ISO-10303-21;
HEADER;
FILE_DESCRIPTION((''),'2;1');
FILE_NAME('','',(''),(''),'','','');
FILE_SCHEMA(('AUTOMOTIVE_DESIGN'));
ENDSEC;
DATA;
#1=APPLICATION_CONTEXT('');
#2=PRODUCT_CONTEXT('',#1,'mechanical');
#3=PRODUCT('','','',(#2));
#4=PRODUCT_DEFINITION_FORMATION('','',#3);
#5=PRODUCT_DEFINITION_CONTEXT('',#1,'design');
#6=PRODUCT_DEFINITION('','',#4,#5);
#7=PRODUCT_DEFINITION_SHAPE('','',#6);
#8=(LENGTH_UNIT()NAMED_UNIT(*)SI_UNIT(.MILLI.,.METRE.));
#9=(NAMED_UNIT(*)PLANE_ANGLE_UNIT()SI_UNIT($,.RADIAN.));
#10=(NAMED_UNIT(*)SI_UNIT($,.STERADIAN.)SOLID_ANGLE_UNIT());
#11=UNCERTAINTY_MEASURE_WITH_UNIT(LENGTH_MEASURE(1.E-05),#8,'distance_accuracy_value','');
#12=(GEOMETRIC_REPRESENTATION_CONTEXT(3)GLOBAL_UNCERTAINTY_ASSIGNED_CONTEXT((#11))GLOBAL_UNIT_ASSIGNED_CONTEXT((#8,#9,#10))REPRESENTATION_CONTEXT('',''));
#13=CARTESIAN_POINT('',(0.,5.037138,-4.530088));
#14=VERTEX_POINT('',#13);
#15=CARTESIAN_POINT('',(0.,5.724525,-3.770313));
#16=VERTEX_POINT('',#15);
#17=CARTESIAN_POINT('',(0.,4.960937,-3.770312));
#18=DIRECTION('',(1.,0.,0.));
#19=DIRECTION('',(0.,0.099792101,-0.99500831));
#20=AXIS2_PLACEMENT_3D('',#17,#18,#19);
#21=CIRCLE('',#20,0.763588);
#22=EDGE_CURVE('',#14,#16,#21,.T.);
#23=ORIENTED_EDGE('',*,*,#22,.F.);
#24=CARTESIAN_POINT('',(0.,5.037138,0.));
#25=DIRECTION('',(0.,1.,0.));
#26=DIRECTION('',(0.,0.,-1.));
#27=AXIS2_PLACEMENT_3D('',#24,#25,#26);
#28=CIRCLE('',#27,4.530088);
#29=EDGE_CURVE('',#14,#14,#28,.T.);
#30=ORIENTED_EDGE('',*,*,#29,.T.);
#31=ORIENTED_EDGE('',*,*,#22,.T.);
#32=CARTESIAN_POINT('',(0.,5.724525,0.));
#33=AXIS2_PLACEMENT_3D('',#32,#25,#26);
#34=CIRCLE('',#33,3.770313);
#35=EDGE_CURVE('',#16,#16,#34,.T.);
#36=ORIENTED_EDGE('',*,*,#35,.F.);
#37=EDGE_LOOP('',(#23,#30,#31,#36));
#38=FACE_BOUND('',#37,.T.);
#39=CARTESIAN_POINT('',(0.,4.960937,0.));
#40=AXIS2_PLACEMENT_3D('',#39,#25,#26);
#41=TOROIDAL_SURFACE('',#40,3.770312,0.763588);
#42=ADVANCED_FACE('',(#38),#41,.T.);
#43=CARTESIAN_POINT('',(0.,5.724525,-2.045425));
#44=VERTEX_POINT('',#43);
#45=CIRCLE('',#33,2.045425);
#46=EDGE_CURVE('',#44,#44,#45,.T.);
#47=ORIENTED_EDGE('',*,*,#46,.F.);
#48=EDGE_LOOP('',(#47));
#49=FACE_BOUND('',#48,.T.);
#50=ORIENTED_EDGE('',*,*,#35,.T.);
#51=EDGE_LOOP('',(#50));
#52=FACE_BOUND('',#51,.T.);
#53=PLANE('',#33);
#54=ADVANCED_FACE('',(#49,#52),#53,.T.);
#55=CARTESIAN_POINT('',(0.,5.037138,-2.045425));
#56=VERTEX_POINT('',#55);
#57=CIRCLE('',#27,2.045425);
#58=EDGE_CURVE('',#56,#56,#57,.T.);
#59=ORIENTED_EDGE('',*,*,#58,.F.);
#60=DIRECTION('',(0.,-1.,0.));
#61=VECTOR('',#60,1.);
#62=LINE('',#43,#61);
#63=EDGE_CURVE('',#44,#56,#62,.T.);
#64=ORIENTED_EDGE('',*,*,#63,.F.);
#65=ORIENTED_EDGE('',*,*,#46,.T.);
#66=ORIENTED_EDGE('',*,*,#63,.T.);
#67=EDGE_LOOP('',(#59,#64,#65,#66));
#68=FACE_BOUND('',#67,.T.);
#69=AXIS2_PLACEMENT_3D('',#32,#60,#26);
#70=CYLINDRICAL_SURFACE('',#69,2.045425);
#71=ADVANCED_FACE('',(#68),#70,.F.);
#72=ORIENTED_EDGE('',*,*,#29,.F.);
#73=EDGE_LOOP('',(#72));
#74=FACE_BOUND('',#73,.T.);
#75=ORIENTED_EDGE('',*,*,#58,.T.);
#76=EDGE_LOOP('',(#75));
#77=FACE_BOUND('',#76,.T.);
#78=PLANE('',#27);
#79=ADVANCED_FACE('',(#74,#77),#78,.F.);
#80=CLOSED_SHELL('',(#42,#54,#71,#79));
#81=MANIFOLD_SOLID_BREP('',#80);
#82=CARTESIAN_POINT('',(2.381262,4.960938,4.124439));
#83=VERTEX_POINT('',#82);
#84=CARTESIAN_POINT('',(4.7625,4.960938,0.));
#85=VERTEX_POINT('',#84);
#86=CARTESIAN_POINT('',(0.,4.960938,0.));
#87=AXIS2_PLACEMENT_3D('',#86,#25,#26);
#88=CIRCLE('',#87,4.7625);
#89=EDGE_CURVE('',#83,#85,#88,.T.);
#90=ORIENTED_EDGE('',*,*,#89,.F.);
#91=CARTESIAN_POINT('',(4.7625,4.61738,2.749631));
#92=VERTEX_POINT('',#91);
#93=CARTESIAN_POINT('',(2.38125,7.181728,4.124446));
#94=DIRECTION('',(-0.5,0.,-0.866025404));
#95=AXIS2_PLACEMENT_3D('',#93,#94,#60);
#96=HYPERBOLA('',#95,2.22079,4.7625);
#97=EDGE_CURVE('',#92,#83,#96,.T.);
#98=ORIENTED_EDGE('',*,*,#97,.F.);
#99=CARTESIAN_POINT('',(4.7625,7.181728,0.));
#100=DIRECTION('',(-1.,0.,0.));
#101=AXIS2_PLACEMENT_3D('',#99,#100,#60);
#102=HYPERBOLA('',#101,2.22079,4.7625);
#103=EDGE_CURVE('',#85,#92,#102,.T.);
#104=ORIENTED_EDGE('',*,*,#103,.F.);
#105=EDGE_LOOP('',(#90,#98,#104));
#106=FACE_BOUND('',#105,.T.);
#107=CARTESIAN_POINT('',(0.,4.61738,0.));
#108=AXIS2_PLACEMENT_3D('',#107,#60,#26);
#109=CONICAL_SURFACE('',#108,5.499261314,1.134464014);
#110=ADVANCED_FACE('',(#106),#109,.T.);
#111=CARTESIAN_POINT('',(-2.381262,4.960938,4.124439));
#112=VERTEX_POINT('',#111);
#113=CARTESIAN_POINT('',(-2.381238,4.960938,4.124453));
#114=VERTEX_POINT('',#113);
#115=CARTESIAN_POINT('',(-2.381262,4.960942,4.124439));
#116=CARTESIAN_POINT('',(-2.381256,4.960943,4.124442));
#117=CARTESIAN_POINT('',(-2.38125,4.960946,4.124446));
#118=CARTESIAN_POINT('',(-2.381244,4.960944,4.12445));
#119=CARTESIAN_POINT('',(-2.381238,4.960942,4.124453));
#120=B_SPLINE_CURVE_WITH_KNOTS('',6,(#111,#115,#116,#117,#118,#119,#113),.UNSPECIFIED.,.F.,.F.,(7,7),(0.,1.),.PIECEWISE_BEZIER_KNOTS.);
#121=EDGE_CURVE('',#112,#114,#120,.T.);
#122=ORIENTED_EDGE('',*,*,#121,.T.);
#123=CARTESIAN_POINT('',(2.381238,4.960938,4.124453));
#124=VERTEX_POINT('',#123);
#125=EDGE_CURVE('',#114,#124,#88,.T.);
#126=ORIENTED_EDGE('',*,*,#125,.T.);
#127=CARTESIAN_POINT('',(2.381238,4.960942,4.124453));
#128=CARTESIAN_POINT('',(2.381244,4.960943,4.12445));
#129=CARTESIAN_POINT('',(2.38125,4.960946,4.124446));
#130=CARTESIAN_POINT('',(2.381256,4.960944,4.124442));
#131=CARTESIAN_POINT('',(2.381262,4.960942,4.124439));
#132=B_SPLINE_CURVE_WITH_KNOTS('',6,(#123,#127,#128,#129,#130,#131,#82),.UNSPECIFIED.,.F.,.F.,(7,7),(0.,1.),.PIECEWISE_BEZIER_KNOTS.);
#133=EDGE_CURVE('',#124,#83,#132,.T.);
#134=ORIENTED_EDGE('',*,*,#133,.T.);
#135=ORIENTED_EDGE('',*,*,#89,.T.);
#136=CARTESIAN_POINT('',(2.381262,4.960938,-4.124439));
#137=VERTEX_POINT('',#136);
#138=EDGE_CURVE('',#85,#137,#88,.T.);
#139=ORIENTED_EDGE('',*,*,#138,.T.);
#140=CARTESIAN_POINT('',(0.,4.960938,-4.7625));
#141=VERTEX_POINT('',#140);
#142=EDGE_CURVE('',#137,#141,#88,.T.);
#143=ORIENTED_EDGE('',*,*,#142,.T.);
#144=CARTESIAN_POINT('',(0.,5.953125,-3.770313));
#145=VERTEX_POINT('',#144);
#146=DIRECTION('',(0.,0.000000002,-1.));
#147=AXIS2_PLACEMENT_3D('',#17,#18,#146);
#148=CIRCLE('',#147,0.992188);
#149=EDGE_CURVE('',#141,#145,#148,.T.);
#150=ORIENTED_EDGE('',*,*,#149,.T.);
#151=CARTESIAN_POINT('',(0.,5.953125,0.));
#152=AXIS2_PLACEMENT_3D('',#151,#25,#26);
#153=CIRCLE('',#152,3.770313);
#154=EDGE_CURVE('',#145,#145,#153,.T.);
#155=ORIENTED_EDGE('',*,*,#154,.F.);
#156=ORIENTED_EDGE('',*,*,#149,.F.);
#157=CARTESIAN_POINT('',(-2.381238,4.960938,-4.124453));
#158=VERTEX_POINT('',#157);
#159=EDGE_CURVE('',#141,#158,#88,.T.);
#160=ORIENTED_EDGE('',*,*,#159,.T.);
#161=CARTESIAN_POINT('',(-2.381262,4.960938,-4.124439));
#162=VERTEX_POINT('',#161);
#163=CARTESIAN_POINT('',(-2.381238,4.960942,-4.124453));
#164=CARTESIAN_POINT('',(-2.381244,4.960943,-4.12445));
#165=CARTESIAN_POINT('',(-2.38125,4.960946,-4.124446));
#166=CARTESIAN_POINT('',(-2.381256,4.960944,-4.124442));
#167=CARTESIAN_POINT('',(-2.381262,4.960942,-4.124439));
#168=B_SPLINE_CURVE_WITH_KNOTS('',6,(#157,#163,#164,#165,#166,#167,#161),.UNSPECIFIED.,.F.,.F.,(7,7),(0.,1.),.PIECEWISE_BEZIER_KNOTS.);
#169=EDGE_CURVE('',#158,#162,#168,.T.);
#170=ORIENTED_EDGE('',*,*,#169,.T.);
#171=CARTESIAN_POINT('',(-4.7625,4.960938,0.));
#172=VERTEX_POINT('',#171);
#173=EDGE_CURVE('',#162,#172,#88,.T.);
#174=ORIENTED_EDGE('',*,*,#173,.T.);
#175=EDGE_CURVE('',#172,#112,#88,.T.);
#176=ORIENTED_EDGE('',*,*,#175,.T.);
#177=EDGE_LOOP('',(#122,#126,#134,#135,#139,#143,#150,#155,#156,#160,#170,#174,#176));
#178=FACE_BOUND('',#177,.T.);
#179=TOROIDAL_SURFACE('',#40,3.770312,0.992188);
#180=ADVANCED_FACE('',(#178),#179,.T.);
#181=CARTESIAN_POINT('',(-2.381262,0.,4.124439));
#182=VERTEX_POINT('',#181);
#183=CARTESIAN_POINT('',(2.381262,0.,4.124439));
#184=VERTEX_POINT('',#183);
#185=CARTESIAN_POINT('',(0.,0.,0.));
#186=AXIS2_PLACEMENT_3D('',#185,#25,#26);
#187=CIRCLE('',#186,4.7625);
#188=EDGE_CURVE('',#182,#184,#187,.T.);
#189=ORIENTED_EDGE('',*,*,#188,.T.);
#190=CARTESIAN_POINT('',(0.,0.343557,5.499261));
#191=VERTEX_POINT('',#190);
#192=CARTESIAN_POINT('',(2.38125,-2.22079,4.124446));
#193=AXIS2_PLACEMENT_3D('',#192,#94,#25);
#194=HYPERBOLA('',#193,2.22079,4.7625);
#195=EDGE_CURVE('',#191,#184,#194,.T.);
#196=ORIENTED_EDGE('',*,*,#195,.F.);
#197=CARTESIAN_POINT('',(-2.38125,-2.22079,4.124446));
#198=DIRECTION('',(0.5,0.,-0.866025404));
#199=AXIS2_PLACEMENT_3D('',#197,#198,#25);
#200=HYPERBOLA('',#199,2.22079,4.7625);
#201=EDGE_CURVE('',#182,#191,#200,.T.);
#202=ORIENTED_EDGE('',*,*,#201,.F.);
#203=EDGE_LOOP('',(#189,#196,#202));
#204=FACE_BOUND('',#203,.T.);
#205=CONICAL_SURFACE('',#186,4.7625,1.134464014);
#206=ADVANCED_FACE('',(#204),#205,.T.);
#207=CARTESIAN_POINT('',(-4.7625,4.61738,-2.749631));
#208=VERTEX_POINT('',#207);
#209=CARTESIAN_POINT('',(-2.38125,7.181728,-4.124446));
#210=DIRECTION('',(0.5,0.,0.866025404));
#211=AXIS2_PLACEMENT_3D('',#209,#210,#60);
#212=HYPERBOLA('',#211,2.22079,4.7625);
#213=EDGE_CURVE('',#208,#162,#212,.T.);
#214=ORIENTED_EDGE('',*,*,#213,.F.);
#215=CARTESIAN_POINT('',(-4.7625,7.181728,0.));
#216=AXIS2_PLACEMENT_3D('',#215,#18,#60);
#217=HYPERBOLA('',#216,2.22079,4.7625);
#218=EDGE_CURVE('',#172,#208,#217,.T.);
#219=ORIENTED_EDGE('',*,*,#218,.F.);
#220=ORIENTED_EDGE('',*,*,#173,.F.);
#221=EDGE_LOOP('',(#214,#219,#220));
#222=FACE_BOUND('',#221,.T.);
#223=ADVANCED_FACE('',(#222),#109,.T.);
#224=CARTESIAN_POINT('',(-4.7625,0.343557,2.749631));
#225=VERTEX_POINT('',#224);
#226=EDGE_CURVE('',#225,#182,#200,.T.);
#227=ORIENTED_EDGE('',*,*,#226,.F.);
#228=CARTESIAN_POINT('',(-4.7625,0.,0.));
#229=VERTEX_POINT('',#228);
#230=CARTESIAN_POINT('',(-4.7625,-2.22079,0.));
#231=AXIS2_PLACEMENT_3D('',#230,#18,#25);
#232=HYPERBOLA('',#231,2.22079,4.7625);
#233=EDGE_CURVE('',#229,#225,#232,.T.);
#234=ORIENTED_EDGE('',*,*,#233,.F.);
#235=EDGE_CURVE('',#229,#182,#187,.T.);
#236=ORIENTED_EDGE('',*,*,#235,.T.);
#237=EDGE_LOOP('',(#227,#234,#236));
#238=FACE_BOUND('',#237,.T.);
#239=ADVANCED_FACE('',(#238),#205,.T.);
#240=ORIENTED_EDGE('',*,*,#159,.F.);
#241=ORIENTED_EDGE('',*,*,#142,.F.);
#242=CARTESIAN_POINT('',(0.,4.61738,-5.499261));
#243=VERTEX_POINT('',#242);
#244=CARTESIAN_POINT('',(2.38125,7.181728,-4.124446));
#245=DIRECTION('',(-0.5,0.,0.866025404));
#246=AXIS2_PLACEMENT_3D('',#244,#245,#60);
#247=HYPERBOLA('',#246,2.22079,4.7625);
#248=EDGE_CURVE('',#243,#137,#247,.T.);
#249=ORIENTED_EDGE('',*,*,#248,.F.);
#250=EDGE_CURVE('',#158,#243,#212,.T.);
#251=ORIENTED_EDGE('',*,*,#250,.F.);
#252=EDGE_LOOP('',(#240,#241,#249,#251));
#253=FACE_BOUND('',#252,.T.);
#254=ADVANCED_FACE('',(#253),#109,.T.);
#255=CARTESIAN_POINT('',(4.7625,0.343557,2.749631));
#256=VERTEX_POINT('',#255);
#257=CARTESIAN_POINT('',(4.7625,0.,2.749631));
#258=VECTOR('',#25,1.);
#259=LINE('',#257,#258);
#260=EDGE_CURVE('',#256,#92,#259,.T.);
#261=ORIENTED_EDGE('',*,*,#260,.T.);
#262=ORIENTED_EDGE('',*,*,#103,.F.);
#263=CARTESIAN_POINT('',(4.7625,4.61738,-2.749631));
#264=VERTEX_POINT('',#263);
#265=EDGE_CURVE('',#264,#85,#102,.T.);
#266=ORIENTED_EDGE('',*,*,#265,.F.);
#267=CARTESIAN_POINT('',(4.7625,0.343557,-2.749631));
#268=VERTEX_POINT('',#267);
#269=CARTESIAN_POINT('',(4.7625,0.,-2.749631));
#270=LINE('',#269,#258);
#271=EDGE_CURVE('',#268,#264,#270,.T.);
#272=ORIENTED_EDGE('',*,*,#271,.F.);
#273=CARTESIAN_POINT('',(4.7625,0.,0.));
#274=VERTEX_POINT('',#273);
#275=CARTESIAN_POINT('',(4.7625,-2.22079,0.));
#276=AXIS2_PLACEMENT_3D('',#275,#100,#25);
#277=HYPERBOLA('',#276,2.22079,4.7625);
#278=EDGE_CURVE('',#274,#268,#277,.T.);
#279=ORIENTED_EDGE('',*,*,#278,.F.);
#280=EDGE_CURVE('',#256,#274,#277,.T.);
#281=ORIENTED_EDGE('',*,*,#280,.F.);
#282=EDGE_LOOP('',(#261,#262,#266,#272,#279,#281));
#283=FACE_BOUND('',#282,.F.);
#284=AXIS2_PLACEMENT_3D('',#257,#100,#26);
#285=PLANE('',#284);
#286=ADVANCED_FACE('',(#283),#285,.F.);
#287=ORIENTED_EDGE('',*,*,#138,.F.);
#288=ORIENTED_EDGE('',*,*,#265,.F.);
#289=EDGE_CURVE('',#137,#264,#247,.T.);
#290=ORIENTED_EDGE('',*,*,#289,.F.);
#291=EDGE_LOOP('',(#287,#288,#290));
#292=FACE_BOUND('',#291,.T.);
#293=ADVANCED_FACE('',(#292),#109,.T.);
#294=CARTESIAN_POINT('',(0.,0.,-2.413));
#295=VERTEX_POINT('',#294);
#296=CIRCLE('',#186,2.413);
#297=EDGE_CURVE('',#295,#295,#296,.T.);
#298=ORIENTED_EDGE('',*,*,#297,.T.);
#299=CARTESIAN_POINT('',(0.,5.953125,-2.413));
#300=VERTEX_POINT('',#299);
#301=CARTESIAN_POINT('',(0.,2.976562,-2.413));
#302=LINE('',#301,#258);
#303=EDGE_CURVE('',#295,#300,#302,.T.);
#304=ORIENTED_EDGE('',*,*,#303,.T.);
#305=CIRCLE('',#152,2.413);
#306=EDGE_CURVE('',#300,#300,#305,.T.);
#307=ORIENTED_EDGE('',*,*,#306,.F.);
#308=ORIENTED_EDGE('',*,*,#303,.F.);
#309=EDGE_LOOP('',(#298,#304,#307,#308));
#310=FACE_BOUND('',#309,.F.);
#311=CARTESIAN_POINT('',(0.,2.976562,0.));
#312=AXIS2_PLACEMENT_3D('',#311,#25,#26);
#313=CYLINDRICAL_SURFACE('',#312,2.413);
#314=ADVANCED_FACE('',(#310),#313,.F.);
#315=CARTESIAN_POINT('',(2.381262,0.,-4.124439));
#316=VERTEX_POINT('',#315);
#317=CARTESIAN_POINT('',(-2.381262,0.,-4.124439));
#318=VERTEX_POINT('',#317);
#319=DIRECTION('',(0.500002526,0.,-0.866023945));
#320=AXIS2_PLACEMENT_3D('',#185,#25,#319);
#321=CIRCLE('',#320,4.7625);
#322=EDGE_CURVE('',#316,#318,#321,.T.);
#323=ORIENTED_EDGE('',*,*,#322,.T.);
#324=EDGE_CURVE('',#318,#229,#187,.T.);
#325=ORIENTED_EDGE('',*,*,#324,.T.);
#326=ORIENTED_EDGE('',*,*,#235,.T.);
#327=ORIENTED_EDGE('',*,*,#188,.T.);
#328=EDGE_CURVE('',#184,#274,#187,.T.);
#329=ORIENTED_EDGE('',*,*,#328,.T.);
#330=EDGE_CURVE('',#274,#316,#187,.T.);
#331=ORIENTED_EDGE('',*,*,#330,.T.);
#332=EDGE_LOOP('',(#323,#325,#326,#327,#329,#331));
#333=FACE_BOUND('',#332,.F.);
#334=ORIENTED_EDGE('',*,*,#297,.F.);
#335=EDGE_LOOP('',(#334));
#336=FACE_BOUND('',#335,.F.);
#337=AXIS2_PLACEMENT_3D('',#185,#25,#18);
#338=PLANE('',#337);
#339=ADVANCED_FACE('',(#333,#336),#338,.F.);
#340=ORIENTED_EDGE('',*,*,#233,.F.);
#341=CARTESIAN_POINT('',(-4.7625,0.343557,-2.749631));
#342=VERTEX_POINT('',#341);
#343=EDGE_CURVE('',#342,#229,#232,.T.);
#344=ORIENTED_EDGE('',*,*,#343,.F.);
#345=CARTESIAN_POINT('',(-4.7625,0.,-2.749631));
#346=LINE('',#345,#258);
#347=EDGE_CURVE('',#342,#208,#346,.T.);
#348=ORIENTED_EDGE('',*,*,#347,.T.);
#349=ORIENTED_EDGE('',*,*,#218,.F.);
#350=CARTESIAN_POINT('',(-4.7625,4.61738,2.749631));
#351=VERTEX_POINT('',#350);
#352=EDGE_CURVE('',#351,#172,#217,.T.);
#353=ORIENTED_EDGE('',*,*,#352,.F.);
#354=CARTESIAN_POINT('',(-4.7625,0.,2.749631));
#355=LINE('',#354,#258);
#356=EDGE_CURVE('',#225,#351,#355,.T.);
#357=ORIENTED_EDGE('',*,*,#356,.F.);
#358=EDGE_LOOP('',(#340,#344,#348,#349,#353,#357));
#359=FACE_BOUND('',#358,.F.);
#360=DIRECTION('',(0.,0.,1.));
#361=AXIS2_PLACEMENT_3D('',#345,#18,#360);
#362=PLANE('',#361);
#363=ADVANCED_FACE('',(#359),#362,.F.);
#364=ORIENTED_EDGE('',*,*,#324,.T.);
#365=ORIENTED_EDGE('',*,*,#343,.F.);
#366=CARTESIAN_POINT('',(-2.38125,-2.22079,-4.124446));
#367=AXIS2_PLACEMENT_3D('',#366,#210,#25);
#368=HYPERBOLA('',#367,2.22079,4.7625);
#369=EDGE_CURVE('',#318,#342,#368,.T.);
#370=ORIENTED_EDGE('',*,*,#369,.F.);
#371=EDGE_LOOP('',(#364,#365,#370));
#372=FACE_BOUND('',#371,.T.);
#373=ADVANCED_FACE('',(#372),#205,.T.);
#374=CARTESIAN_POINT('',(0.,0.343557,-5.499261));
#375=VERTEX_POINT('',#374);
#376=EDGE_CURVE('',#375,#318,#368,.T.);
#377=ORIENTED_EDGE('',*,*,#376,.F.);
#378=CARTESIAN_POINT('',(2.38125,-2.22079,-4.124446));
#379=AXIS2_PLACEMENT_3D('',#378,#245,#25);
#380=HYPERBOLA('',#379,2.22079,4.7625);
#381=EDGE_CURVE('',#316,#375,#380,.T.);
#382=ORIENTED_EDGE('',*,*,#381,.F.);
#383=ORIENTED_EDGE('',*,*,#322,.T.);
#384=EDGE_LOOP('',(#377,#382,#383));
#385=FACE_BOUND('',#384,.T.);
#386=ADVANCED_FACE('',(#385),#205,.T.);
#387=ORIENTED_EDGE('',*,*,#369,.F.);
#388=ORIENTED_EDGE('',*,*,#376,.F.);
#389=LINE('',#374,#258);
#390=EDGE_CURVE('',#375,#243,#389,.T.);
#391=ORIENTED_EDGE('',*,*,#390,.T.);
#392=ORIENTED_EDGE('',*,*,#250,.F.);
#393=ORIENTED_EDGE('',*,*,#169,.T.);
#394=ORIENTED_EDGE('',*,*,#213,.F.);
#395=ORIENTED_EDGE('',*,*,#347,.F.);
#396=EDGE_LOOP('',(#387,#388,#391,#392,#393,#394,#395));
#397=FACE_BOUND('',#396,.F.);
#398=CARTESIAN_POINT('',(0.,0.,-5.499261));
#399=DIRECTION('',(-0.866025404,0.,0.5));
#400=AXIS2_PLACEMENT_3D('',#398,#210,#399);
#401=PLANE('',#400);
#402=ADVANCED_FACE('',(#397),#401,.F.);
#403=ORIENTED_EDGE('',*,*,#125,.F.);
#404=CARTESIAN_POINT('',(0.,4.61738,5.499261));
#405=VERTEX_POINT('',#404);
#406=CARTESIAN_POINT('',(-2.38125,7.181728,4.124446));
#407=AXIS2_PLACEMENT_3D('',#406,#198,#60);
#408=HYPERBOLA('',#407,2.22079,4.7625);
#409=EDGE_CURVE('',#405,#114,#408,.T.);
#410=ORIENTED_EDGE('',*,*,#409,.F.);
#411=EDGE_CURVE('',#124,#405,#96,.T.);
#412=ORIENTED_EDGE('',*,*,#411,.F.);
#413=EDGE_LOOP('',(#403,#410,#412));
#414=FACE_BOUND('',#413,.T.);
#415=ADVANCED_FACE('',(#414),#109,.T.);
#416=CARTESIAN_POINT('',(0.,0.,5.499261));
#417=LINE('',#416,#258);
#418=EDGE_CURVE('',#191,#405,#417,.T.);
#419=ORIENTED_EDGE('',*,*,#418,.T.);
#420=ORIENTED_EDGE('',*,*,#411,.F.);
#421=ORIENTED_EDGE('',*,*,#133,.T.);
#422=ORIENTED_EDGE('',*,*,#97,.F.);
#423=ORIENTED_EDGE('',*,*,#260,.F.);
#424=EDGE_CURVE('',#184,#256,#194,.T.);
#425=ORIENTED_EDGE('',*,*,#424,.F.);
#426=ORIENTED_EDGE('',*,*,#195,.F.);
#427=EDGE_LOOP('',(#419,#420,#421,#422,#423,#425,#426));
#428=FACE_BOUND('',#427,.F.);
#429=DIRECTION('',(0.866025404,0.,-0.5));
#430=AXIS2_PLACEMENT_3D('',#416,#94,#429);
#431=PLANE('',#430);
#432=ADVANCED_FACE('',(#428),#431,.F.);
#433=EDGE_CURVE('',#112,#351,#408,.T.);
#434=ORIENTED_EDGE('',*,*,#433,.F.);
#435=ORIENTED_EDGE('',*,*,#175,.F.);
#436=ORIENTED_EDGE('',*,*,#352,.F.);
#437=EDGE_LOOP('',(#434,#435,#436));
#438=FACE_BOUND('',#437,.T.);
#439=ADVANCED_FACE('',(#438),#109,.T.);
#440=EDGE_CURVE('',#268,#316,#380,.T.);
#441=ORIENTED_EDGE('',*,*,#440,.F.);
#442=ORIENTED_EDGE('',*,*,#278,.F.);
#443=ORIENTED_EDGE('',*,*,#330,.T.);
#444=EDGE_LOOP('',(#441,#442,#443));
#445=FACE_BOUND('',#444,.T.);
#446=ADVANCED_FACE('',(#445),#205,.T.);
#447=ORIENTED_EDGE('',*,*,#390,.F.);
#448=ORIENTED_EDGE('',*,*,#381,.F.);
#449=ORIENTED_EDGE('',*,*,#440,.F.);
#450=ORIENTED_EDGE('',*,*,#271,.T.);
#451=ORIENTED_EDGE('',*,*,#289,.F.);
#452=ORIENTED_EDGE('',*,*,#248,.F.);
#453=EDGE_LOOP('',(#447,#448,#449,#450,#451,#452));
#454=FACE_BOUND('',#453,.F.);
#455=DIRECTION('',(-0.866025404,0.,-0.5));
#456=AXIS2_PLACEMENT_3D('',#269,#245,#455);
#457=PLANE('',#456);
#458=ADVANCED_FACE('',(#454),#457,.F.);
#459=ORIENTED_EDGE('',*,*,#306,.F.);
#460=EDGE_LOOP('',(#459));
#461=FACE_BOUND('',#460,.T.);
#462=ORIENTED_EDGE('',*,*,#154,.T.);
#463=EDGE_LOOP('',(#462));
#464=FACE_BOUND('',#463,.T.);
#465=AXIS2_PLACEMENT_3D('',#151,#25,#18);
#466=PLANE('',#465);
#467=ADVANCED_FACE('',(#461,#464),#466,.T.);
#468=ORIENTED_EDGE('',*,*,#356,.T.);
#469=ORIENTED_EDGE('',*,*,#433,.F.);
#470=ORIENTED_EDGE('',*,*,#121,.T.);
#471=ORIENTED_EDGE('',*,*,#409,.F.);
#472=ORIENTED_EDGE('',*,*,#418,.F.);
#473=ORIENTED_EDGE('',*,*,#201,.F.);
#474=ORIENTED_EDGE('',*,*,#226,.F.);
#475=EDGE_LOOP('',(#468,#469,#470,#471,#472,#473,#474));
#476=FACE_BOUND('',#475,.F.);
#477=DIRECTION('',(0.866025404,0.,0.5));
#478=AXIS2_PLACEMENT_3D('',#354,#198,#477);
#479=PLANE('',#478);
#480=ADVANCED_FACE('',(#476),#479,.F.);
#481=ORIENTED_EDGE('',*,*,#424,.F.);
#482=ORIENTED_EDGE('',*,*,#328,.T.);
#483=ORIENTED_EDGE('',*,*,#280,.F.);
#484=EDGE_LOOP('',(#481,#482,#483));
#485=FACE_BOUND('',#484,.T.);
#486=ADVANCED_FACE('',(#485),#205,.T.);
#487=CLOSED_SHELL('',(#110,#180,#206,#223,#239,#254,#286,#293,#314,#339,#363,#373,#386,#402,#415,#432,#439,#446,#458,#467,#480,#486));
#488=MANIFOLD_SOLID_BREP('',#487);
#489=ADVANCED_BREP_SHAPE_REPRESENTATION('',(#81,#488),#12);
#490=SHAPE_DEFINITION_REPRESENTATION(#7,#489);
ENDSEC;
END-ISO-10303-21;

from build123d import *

# Parameters (mm, degrees)
EXTRUDE1_DEPTH = 5.953125
SKETCH2_W      = 2.413
SKETCH2_H      = 5.953125


with BuildPart() as part:
    # Sketch1 → Extrude1 (new body)
    with BuildSketch(Plane(origin=(0, 0, 0), x_dir=(1, 0, 0), z_dir=(0, 1, 0))):
        Polygon((0, 5.499261314), (-4.7625, 2.749630657), (-4.7625, -2.749630657), (0, -5.499261314), (4.7625, -2.749630657), (4.7625, 2.749630657), align=None)
    extrude(amount=EXTRUDE1_DEPTH)


with BuildPart() as body_2:
    # Sketch2 → Revolve1 (revolve)
    with BuildSketch(Plane(origin=(0, 0, 0), x_dir=(0, 0, -1), z_dir=(1, 0, 0))):
        with Locations((1.2065, 2.9765625)):
            Rectangle(SKETCH2_W, SKETCH2_H)
    revolve(axis=Axis((0, -2.413, 0), (0, 1, 0)))


with BuildPart() as part_1:
    add(part.part)

    # Combine1: cut body 2
    add(body_2.part, mode=Mode.SUBTRACT)

    # Sketch5 → Cut-Revolve3 (revolve, cut)
    with BuildSketch(Plane(origin=(0, 0, 0), x_dir=(0, 0, -1), z_dir=(1, 0, 0))):
        with BuildLine():
            Line((0, 0), (4.7625, 0))
            Line((4.7625, 0), (5.499261314, 0.343557443))
            Line((5.499261314, 0.343557443), (5.499261314, 4.617380057))
            Line((5.499261314, 4.617380057), (4.7625, 4.9609375))
            ThreePointArc((4.7625, 4.9609375), (4.471895009, 5.662520009), (3.7703125, 5.953125))
            Line((3.7703125, 5.953125), (3.7703125, 7.223125))
            Line((3.7703125, 7.223125), (6.769261314, 7.223125))
            Line((6.769261314, 7.223125), (6.769261314, -1.27))
            Line((6.769261314, -1.27), (0, -1.27))
            Line((0, -1.27), (0, 0))
        make_face()
    revolve(axis=Axis((0, 0, 0), (0, 1, 0)), mode=Mode.SUBTRACT)


with BuildPart() as body_2_2:
    # Sketch7 → Revolve2 (revolve)
    with BuildSketch(Plane(origin=(0, 0, 0), x_dir=(0, 0, -1), z_dir=(1, 0, 0))):
        with BuildLine():
            Line((2.045424837, 5.0371375), (4.530088408, 5.0371375))
            ThreePointArc((4.530088408, 5.0371375), (4.282601726, 5.527175629), (3.7703125, 5.724525))
            Line((3.7703125, 5.724525), (2.045424837, 5.724525))
            Line((2.045424837, 5.724525), (2.045424837, 5.0371375))
        make_face()
    revolve(axis=Axis((0, 5.0371375, 0), (0, 1, 0)))


solid = Compound([part_1.part, body_2_2.part])
